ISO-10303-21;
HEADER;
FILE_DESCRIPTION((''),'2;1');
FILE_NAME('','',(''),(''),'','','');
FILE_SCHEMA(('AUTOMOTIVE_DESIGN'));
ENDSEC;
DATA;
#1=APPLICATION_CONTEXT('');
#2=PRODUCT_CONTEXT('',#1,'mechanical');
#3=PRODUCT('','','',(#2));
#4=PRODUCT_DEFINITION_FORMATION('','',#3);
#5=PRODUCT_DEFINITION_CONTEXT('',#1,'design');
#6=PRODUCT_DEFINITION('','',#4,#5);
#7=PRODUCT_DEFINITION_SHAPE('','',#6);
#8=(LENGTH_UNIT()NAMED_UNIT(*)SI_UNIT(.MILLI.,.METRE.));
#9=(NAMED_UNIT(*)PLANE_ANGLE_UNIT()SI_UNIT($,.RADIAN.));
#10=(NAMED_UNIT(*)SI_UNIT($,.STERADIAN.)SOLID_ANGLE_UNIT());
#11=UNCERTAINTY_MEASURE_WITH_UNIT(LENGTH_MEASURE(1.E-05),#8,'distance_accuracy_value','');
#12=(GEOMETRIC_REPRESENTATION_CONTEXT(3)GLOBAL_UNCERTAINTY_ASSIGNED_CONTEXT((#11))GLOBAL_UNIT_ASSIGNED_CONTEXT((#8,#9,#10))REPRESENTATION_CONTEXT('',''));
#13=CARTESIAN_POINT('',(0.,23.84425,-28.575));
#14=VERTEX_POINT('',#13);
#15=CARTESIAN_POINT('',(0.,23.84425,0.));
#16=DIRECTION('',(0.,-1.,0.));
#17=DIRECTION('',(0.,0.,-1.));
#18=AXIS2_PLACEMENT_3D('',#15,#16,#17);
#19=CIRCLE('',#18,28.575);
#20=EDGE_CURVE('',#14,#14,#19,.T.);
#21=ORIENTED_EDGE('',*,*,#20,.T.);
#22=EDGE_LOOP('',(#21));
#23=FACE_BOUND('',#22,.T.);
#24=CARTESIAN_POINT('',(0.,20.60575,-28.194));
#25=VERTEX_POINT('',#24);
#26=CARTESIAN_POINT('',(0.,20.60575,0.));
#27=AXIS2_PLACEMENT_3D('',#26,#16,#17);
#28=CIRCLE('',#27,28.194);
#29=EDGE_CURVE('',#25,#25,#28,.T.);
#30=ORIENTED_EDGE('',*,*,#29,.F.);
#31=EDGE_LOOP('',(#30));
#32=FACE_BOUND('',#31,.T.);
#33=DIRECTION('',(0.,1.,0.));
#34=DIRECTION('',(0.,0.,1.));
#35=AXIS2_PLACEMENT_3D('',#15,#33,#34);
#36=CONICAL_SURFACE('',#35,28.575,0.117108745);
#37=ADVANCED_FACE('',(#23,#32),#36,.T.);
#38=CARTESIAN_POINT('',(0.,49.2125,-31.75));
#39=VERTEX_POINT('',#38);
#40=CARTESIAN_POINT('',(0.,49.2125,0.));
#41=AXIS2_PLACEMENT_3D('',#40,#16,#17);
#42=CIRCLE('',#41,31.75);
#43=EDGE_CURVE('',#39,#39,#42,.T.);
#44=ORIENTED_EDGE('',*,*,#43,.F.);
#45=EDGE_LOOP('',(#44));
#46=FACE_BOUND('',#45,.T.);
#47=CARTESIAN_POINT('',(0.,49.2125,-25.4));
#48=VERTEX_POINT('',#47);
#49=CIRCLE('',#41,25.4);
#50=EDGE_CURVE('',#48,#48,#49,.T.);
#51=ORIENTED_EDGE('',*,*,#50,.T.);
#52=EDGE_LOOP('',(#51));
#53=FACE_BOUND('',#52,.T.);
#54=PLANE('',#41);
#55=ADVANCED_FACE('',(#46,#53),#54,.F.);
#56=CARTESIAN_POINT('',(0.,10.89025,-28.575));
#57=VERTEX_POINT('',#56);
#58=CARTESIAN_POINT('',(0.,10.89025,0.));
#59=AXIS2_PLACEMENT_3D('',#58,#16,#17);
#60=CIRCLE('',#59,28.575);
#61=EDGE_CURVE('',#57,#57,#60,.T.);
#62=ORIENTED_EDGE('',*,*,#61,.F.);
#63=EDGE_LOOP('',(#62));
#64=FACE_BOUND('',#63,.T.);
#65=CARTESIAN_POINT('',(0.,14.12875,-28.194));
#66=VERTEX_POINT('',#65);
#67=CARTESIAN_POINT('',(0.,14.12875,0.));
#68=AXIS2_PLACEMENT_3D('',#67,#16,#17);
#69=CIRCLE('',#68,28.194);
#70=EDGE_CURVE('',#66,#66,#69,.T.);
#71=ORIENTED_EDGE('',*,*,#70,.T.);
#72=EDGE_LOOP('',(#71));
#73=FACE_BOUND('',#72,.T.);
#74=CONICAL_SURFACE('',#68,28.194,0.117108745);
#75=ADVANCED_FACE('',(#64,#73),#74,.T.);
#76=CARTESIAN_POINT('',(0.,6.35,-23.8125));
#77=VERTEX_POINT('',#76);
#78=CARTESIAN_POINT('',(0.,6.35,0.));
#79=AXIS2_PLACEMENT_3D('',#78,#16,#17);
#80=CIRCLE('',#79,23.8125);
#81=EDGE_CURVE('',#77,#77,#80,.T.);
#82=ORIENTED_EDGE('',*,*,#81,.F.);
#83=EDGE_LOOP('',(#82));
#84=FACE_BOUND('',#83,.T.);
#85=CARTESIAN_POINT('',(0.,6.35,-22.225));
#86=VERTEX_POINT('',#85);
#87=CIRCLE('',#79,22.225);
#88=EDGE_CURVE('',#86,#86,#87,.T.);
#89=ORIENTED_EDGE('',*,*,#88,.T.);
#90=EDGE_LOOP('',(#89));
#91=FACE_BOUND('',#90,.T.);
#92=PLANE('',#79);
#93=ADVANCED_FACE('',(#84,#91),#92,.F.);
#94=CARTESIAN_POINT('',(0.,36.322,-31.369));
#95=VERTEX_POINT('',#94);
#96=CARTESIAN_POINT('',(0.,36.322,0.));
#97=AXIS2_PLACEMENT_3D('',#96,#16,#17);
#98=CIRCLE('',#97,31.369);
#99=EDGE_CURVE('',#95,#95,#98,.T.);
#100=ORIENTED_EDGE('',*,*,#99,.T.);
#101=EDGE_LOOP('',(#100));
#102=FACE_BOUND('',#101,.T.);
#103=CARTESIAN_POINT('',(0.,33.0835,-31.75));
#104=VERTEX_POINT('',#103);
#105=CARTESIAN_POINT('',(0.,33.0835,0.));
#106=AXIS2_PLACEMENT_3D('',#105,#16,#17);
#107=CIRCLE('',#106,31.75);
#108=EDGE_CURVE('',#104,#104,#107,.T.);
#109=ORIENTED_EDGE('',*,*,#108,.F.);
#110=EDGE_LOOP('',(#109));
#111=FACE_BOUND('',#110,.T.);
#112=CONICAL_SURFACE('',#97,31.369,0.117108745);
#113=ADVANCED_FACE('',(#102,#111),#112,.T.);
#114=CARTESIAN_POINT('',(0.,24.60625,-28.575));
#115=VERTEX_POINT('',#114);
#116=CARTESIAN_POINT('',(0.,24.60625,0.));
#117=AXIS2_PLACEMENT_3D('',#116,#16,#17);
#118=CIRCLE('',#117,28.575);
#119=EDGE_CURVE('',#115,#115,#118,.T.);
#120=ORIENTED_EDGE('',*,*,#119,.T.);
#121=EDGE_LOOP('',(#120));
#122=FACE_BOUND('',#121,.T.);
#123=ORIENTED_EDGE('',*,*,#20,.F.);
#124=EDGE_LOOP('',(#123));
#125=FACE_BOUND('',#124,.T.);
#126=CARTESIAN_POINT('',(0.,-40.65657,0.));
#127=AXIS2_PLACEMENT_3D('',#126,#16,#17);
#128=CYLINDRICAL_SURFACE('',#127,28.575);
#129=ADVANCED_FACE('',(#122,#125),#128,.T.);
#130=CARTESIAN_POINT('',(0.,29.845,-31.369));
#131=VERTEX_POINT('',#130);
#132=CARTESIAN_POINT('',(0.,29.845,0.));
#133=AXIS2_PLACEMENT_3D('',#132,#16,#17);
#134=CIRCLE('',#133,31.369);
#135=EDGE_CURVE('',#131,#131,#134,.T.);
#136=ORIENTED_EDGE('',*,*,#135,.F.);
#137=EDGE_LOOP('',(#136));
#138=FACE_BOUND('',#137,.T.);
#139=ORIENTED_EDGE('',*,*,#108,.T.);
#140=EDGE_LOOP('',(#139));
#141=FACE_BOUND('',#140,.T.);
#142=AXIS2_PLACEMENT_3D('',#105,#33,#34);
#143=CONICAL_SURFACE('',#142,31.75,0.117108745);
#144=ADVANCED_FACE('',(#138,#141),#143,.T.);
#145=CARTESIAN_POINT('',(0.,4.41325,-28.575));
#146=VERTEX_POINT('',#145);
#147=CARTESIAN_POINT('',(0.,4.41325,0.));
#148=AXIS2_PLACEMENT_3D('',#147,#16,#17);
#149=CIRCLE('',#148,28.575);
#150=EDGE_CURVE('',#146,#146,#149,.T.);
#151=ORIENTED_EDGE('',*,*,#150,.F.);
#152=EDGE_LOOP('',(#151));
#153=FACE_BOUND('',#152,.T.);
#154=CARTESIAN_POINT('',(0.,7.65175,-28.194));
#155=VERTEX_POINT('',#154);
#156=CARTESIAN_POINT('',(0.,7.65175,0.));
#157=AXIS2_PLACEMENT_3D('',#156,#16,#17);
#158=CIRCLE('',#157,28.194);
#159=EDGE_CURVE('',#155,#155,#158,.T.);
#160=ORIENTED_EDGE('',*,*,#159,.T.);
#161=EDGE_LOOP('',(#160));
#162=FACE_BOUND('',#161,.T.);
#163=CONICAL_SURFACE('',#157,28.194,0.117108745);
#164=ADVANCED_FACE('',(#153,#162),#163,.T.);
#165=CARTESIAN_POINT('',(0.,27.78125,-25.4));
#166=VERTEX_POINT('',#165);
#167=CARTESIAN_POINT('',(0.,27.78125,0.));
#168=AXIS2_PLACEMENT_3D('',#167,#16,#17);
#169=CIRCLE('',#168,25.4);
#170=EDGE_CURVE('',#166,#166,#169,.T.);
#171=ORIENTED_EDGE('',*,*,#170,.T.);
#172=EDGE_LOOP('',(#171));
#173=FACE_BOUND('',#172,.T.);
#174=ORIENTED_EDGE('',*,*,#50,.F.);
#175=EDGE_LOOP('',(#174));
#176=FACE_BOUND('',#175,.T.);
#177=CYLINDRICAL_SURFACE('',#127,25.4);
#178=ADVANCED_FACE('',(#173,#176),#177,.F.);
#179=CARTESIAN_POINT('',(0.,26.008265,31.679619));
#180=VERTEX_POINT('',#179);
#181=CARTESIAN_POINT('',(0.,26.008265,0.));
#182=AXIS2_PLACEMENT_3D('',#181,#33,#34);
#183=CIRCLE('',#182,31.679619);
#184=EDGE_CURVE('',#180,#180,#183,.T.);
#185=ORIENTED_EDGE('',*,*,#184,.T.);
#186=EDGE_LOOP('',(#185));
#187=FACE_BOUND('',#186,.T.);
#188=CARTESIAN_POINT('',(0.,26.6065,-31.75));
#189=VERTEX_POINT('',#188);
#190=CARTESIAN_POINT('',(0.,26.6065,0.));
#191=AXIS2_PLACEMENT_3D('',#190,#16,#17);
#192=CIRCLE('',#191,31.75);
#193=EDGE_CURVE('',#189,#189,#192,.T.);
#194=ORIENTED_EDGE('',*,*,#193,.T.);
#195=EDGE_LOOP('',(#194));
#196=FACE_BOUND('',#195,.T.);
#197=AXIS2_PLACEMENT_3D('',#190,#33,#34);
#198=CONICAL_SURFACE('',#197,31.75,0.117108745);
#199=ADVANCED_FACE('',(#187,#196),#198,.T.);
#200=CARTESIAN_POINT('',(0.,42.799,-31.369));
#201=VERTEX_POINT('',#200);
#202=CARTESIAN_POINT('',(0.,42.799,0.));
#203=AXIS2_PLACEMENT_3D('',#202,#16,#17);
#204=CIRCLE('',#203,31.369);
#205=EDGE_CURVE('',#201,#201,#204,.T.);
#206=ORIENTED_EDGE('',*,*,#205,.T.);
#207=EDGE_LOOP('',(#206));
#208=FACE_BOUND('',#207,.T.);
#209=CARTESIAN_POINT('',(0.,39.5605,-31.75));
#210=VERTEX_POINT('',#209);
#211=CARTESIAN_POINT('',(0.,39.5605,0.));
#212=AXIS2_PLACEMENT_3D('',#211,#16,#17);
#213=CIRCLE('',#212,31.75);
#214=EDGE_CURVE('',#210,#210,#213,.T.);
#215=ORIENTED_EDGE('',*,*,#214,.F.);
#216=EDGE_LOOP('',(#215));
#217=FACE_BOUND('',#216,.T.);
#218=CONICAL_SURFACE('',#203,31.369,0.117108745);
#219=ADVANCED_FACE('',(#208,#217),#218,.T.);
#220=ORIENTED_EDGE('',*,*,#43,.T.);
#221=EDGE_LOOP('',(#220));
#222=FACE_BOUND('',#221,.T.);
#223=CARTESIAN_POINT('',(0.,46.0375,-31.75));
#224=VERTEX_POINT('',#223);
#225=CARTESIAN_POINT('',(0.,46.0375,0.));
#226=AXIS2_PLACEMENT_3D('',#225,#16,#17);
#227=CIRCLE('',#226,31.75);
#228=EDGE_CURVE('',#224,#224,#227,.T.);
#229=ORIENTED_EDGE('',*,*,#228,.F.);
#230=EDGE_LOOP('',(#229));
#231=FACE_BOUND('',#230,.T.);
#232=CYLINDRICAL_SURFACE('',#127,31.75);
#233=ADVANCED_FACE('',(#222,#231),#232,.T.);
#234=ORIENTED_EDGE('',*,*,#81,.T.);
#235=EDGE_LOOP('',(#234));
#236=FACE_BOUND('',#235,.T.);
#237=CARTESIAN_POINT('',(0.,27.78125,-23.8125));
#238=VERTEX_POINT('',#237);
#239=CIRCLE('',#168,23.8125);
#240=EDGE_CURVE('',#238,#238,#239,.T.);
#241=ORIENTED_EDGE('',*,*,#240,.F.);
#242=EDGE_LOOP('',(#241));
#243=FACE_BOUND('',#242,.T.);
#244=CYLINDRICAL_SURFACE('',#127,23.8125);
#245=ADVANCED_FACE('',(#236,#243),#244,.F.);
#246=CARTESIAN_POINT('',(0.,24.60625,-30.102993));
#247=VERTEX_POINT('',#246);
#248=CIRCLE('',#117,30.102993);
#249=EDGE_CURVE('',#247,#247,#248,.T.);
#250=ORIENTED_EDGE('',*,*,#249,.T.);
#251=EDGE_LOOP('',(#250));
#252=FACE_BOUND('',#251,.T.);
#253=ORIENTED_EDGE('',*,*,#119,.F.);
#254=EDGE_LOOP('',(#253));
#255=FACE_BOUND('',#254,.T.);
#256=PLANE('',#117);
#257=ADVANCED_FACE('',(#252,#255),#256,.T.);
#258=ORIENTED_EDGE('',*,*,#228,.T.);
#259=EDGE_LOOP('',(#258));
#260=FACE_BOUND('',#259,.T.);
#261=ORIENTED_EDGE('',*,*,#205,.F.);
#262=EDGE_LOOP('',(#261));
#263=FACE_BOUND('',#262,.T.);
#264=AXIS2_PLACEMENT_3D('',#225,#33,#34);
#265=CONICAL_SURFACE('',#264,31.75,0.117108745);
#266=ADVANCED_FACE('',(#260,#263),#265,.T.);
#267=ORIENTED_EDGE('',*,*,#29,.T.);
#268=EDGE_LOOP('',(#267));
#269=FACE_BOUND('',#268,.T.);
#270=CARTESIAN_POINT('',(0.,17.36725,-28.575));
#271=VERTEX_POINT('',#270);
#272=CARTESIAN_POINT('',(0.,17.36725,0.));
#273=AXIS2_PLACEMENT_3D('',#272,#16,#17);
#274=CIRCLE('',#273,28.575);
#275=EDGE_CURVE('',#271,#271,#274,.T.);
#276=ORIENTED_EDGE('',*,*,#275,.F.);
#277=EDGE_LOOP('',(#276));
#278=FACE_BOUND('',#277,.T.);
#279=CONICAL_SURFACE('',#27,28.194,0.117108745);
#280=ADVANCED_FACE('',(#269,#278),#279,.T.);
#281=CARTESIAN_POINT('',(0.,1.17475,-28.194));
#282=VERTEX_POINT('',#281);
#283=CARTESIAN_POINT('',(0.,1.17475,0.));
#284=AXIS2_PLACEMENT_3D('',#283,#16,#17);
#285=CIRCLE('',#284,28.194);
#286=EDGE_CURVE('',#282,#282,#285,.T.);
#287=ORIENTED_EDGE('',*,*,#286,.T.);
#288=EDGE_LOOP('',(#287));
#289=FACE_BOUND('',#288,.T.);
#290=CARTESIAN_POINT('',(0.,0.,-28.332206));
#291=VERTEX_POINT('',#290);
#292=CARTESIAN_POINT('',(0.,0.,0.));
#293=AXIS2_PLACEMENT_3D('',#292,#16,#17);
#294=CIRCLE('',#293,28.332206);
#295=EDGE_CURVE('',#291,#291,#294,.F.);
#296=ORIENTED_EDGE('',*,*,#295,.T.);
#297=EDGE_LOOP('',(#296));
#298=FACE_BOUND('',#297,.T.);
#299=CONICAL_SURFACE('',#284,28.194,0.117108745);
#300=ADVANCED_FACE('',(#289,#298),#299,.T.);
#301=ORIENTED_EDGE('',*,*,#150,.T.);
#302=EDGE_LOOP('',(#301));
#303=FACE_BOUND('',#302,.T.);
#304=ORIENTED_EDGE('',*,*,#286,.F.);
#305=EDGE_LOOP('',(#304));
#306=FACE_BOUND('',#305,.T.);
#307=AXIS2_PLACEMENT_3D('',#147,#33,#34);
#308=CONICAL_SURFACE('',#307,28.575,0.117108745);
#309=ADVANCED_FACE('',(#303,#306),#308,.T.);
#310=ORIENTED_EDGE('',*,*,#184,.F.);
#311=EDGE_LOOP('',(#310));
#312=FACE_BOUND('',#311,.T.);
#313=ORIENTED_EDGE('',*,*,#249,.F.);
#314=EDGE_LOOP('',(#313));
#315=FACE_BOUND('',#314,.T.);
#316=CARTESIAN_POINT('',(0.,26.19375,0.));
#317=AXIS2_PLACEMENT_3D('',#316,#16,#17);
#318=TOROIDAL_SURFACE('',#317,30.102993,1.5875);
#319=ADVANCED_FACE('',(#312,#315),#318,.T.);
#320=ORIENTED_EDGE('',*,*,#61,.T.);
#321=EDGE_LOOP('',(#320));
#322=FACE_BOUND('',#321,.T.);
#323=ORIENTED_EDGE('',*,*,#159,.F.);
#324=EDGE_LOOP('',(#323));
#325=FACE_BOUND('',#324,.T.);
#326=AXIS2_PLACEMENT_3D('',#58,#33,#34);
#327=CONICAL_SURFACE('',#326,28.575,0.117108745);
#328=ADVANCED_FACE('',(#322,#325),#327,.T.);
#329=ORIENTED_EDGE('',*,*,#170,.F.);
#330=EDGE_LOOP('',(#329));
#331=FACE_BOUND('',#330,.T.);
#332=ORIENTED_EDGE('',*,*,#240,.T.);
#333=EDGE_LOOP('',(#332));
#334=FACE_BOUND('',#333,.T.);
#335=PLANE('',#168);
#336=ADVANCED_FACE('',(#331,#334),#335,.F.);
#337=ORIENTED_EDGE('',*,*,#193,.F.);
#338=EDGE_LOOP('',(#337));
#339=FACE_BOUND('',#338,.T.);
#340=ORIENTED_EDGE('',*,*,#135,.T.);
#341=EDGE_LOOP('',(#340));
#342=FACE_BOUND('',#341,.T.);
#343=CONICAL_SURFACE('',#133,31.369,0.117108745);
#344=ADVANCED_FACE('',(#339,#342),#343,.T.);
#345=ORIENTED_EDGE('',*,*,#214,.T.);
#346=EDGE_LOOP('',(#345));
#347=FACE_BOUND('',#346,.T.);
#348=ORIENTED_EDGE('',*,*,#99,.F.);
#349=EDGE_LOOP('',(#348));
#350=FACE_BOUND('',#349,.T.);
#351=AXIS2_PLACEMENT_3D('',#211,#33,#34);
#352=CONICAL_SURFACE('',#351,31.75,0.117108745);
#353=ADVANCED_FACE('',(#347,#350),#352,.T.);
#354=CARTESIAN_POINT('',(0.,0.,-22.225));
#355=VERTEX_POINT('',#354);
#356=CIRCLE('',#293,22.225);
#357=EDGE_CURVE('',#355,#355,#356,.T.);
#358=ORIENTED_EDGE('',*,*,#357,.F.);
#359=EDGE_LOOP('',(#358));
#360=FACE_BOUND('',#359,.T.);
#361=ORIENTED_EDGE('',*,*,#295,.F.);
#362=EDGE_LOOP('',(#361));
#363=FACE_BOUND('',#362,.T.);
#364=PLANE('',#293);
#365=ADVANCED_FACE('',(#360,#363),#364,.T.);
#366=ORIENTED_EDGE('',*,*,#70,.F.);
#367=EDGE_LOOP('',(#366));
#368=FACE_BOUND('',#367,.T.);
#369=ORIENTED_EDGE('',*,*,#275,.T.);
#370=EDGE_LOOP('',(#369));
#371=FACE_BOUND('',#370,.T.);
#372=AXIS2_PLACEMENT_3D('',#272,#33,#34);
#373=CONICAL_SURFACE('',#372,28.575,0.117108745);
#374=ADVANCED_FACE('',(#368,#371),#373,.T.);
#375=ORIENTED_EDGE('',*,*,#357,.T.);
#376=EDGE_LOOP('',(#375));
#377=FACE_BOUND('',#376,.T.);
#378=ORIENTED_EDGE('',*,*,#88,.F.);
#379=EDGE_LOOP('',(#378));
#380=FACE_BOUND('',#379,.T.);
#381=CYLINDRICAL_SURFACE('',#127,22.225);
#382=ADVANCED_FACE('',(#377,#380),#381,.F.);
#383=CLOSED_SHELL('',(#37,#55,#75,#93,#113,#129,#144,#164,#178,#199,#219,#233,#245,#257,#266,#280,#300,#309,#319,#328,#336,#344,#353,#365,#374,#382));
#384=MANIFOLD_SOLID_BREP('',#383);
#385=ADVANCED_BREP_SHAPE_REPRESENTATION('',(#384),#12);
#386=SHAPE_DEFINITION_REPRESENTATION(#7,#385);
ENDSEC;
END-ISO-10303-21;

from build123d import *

# Parameters (mm, degrees)
LPATTERN1_COUNT = 6
LPATTERN1_PITCH = 6.477
FILLET1_R       = 1.5875


with BuildPart() as part:
    # Sketch2 → Revolve1 (revolve)
    with BuildSketch(Plane.XY):
        Polygon((25.4, 49.2125), (31.75, 49.2125), (31.75, 24.60625), (28.575, 24.60625), (28.575, 0), (22.225, 0), (22.225, 6.35), (23.8125, 6.35), (23.8125, 27.78125), (25.4, 27.78125), align=None)
    revolve(axis=Axis((0, -40.656569806, 0), (0, 1, 0)))

    # Sketch3 → Cut-Revolve1 (revolve, cut)
    with BuildSketch(Plane.XY):
        Polygon((31.75, 46.0375), (31.369, 42.799), (31.75, 39.5605), align=None)
        Polygon((28.575, 23.84425), (28.575, 17.36725), (28.194, 20.60575), align=None)
    cut_revolve1 = revolve(axis=Axis((0, -40.656569806, 0), (0, 1, 0)), mode=Mode.SUBTRACT)

    # LPattern1: Cut-Revolve1 ×6
    with Locations(*[(0, -i * LPATTERN1_PITCH, 0) for i in range(1, LPATTERN1_COUNT)]):
        add(cut_revolve1, mode=Mode.SUBTRACT)

    # Fillet1
    fillet1_edges = [part.edges().sort_by_distance(p)[0] for p in [
        (-31.514676471, 24.60625, 0),
    ]]
    fillet(fillet1_edges, radius=FILLET1_R)


solid = part.part
